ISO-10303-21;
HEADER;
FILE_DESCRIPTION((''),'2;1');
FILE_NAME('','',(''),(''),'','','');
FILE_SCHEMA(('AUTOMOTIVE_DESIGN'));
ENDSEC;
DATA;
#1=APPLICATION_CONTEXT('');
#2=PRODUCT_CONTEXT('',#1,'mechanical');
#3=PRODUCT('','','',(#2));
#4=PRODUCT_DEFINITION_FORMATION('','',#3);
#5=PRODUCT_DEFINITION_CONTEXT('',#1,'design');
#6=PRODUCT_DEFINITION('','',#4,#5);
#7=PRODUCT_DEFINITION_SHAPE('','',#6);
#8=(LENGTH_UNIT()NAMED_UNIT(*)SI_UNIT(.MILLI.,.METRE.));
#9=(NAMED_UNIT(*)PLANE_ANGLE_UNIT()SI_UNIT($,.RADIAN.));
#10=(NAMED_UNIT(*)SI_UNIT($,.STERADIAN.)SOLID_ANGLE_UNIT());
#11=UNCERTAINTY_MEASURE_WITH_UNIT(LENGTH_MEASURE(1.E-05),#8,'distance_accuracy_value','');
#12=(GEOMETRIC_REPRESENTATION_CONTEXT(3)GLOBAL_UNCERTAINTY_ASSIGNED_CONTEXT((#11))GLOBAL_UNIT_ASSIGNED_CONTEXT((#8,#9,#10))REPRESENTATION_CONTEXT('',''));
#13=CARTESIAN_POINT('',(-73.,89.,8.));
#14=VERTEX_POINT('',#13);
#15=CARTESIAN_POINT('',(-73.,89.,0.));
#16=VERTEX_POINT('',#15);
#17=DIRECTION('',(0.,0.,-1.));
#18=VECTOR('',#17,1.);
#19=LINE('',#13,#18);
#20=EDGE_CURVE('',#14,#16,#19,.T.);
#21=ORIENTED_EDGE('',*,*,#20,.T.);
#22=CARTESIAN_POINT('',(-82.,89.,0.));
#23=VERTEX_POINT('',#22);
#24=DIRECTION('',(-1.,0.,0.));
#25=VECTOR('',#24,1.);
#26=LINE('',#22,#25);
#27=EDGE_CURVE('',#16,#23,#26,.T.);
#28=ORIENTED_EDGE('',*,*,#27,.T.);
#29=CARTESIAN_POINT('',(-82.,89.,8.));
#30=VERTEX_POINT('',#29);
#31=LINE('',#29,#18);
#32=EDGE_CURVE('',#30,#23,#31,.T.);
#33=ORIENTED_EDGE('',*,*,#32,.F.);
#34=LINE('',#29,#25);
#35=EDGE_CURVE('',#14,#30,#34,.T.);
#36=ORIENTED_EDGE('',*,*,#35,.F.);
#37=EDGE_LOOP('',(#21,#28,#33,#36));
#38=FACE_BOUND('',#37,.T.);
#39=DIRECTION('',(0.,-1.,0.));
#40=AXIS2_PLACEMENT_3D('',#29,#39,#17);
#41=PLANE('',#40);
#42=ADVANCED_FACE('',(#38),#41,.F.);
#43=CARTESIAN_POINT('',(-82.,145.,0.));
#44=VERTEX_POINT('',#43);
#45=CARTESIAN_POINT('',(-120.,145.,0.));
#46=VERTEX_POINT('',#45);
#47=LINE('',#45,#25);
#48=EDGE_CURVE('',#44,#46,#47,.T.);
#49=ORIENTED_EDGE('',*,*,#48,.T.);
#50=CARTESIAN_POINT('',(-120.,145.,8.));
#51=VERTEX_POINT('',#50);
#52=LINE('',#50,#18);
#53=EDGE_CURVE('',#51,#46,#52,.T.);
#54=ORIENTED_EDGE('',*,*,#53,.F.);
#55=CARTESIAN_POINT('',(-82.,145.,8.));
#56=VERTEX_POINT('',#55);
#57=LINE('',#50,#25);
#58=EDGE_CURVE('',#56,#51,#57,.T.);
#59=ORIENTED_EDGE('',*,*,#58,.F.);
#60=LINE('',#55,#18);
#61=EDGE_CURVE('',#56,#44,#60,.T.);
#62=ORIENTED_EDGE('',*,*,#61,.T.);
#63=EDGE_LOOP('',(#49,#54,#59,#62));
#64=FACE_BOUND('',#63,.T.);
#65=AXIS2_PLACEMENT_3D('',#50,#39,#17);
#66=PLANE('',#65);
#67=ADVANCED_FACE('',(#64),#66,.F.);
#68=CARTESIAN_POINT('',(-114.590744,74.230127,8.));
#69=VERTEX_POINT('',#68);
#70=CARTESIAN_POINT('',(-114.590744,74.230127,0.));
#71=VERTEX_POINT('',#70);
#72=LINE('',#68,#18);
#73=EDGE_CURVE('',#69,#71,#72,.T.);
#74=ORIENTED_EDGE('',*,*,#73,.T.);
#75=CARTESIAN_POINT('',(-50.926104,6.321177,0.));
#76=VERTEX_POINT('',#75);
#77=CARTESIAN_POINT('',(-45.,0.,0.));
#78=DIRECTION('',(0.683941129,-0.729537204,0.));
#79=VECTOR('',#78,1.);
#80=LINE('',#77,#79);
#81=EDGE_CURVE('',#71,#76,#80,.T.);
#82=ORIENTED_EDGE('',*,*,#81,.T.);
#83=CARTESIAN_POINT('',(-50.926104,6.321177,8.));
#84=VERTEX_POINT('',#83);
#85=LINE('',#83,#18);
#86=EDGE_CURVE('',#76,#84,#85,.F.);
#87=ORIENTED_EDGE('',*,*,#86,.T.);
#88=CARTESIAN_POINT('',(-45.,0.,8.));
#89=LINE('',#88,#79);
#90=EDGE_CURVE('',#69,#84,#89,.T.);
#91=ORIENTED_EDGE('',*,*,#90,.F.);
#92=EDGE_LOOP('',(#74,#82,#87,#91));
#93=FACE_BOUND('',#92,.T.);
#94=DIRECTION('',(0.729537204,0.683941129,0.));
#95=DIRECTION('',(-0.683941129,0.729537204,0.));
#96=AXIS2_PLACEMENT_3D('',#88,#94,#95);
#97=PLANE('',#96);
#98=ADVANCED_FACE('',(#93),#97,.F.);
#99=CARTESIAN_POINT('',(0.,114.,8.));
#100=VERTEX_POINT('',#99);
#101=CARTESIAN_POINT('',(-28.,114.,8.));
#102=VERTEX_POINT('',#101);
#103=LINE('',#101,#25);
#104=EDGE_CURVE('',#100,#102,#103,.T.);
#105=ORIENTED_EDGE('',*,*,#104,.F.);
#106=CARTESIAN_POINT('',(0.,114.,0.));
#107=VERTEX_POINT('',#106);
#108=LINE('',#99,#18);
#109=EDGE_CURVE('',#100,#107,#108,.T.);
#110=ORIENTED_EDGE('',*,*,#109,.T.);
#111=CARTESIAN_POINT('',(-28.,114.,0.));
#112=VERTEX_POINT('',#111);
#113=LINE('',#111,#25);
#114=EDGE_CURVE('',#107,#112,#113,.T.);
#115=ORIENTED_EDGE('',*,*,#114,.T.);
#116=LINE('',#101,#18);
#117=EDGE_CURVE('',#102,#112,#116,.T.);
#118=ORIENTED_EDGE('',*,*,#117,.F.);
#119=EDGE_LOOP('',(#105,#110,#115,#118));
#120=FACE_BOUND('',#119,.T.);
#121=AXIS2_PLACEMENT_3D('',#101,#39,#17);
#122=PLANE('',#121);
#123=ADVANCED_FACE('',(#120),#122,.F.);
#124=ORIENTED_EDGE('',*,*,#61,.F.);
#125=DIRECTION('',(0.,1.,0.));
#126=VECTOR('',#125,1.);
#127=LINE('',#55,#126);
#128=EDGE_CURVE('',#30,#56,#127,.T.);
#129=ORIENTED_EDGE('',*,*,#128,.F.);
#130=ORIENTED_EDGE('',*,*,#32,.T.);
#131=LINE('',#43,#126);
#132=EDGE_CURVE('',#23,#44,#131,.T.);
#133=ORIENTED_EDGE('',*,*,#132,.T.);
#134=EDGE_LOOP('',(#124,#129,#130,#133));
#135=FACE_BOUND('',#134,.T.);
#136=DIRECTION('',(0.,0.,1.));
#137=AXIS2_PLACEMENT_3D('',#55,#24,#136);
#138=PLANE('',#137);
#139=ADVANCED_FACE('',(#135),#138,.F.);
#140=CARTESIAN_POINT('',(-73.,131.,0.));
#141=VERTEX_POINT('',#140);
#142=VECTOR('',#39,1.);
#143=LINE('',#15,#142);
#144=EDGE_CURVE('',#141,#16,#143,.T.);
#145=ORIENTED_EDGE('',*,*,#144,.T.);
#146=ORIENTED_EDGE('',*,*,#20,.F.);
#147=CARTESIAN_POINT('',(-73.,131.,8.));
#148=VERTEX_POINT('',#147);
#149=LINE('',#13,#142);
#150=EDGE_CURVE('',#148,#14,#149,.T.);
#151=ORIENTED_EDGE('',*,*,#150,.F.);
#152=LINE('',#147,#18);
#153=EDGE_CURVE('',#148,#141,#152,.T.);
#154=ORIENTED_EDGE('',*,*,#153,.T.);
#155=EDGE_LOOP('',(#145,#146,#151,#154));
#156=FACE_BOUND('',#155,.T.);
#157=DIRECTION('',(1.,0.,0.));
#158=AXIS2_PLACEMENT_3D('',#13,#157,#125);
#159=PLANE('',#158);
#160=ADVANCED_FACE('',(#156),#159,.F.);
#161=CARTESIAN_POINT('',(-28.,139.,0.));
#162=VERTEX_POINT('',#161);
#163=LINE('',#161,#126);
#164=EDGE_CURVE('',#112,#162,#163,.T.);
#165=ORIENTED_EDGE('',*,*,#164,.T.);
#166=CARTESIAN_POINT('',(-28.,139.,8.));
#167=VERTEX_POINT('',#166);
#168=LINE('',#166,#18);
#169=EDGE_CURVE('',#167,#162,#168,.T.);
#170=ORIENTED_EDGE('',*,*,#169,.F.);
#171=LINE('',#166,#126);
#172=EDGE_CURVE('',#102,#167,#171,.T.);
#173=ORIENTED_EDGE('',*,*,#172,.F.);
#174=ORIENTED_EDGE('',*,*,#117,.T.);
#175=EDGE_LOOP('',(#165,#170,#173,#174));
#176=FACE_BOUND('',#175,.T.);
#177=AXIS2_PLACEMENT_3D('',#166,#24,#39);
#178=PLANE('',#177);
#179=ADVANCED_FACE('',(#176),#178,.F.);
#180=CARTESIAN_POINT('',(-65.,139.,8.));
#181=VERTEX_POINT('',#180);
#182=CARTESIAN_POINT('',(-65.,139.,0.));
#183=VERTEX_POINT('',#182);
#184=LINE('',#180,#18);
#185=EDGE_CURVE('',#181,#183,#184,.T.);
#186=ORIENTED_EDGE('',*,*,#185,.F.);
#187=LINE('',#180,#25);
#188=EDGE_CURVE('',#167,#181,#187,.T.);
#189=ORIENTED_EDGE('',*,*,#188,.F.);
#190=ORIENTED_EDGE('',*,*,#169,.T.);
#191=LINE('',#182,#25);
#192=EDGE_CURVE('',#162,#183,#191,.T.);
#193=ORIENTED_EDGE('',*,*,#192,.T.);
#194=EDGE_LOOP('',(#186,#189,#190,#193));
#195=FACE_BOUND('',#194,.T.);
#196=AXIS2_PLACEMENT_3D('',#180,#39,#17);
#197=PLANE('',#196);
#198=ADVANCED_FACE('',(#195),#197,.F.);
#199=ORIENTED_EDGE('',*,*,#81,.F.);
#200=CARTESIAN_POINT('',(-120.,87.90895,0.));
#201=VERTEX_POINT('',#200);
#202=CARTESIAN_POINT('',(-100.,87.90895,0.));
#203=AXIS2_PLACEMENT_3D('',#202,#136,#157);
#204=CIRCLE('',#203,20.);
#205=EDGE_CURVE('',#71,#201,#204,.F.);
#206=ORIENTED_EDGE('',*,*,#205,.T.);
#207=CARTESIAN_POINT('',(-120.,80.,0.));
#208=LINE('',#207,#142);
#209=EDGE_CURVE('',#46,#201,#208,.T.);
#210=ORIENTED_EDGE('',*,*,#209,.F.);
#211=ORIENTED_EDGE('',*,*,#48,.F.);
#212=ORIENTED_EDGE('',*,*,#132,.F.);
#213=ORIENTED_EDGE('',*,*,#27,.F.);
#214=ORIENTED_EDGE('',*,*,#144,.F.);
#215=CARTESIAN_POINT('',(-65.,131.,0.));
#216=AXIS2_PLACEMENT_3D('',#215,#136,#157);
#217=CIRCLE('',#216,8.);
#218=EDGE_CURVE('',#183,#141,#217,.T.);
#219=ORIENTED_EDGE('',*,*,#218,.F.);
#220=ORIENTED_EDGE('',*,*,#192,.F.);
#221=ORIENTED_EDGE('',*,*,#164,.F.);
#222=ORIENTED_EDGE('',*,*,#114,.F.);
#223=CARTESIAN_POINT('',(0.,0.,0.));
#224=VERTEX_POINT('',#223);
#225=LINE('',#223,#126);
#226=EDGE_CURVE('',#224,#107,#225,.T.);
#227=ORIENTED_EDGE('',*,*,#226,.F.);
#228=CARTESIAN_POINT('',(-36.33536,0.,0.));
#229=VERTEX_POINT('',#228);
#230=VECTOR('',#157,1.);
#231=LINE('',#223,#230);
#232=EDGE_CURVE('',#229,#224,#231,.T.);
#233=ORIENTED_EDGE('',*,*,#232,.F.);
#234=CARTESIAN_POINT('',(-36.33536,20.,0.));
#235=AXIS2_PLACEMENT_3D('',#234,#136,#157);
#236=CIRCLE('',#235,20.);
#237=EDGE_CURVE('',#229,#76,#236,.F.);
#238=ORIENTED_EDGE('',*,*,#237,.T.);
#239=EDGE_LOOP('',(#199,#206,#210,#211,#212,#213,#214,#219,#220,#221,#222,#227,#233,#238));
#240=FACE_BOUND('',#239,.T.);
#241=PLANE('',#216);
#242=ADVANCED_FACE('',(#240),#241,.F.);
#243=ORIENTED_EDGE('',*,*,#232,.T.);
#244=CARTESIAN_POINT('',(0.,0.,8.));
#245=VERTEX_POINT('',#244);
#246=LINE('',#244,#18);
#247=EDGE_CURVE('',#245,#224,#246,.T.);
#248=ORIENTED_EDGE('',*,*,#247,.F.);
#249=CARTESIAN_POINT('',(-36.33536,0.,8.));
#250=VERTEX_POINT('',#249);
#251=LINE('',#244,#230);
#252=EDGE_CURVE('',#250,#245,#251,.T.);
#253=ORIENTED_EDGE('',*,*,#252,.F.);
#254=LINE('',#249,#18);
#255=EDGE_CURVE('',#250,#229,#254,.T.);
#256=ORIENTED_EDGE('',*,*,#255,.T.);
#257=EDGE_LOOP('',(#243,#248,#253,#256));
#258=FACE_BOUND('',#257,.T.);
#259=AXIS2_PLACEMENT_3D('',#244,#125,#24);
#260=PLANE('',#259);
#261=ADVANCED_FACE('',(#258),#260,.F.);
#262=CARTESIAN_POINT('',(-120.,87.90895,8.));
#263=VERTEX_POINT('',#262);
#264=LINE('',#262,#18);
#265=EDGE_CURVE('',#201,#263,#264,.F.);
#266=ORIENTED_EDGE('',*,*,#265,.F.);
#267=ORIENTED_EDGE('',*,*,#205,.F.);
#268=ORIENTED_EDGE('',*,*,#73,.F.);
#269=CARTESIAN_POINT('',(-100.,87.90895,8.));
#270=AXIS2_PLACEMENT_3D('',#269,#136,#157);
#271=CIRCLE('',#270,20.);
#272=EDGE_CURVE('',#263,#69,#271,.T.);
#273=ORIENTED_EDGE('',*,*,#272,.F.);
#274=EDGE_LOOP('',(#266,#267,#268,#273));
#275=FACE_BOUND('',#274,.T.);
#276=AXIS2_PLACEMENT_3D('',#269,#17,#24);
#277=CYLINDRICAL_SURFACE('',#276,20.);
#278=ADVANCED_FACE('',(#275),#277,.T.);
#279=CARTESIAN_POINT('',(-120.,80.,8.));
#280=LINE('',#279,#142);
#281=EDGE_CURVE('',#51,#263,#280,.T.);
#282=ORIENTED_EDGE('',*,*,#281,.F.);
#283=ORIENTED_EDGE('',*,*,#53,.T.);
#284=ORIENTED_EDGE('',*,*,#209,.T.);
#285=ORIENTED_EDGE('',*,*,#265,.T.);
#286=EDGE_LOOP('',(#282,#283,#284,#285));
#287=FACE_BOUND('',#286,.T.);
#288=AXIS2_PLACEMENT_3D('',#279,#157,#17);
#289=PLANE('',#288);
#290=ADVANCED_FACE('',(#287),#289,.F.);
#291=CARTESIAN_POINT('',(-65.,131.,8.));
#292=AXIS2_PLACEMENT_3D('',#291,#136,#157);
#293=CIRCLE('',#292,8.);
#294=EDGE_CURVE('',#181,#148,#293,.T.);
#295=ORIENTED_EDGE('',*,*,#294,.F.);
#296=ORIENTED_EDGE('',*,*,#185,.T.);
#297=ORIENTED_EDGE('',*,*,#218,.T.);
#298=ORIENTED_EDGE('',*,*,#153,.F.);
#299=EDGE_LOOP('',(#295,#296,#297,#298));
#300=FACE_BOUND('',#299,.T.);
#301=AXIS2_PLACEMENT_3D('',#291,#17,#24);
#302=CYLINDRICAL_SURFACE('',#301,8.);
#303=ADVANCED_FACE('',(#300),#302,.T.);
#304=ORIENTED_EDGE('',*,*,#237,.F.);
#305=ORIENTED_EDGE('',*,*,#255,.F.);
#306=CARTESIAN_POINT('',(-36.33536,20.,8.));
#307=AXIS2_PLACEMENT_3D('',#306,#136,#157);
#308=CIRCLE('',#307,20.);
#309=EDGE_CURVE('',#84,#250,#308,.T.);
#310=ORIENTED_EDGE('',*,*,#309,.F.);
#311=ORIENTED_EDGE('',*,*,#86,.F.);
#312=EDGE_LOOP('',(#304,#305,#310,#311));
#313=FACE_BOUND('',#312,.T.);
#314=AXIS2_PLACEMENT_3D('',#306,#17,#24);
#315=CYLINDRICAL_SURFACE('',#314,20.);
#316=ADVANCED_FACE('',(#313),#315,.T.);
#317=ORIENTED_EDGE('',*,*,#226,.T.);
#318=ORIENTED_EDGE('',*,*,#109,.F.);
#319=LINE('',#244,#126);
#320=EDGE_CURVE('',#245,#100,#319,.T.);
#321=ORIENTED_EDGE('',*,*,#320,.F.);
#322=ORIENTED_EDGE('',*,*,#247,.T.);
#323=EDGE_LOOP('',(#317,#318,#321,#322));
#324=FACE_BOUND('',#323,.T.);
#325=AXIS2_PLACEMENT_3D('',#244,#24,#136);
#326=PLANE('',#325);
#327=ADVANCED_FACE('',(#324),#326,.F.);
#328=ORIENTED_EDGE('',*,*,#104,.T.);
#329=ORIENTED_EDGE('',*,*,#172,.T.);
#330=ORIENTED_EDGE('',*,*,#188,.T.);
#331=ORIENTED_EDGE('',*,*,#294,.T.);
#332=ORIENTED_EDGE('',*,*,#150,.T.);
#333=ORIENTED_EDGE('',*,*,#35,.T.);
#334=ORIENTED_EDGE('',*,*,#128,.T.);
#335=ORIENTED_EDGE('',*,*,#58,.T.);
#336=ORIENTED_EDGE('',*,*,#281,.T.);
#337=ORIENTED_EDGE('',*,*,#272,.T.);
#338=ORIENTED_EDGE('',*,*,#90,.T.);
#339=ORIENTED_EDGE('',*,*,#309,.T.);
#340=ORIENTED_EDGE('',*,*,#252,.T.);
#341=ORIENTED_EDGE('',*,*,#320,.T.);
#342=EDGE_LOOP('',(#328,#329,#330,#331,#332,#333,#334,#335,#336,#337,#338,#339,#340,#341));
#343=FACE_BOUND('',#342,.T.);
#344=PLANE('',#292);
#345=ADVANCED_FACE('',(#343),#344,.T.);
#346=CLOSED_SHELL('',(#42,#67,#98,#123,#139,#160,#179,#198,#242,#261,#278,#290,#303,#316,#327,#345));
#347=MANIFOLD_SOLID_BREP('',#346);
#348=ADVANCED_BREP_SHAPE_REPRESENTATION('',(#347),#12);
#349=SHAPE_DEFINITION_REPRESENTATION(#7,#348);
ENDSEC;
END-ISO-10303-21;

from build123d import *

# Parameters (mm, degrees)
EXTRUDE_1_DEPTH = 8
FILLET_1_R      = 20


with BuildPart() as part:
    # 草图1 → 凸台-拉伸1 (new body)
    with BuildSketch(Plane.XY):
        with BuildLine():
            Line((0, 0), (0, 114))
            Line((0, 114), (-28, 114))
            Line((-28, 114), (-28, 139))
            Line((-28, 139), (-65, 139))
            ThreePointArc((-65, 139), (-70.656854249, 136.656854249), (-73, 131))
            Line((-73, 131), (-73, 89))
            Line((-73, 89), (-82, 89))
            Line((-82, 89), (-82, 145))
            Line((-82, 145), (-120, 145))
            Line((-120, 145), (-120, 80))
            Line((-120, 80), (-45, 0))
            Line((-45, 0), (0, 0))
        make_face()
    extrude(amount=EXTRUDE_1_DEPTH)

    # 圆角1
    fillet_1_edges = [part.edges().sort_by_distance(p)[0] for p in [
        (-45, 0, 4),
        (-120, 80, 4),
    ]]
    fillet(fillet_1_edges, radius=FILLET_1_R)


solid = part.part
